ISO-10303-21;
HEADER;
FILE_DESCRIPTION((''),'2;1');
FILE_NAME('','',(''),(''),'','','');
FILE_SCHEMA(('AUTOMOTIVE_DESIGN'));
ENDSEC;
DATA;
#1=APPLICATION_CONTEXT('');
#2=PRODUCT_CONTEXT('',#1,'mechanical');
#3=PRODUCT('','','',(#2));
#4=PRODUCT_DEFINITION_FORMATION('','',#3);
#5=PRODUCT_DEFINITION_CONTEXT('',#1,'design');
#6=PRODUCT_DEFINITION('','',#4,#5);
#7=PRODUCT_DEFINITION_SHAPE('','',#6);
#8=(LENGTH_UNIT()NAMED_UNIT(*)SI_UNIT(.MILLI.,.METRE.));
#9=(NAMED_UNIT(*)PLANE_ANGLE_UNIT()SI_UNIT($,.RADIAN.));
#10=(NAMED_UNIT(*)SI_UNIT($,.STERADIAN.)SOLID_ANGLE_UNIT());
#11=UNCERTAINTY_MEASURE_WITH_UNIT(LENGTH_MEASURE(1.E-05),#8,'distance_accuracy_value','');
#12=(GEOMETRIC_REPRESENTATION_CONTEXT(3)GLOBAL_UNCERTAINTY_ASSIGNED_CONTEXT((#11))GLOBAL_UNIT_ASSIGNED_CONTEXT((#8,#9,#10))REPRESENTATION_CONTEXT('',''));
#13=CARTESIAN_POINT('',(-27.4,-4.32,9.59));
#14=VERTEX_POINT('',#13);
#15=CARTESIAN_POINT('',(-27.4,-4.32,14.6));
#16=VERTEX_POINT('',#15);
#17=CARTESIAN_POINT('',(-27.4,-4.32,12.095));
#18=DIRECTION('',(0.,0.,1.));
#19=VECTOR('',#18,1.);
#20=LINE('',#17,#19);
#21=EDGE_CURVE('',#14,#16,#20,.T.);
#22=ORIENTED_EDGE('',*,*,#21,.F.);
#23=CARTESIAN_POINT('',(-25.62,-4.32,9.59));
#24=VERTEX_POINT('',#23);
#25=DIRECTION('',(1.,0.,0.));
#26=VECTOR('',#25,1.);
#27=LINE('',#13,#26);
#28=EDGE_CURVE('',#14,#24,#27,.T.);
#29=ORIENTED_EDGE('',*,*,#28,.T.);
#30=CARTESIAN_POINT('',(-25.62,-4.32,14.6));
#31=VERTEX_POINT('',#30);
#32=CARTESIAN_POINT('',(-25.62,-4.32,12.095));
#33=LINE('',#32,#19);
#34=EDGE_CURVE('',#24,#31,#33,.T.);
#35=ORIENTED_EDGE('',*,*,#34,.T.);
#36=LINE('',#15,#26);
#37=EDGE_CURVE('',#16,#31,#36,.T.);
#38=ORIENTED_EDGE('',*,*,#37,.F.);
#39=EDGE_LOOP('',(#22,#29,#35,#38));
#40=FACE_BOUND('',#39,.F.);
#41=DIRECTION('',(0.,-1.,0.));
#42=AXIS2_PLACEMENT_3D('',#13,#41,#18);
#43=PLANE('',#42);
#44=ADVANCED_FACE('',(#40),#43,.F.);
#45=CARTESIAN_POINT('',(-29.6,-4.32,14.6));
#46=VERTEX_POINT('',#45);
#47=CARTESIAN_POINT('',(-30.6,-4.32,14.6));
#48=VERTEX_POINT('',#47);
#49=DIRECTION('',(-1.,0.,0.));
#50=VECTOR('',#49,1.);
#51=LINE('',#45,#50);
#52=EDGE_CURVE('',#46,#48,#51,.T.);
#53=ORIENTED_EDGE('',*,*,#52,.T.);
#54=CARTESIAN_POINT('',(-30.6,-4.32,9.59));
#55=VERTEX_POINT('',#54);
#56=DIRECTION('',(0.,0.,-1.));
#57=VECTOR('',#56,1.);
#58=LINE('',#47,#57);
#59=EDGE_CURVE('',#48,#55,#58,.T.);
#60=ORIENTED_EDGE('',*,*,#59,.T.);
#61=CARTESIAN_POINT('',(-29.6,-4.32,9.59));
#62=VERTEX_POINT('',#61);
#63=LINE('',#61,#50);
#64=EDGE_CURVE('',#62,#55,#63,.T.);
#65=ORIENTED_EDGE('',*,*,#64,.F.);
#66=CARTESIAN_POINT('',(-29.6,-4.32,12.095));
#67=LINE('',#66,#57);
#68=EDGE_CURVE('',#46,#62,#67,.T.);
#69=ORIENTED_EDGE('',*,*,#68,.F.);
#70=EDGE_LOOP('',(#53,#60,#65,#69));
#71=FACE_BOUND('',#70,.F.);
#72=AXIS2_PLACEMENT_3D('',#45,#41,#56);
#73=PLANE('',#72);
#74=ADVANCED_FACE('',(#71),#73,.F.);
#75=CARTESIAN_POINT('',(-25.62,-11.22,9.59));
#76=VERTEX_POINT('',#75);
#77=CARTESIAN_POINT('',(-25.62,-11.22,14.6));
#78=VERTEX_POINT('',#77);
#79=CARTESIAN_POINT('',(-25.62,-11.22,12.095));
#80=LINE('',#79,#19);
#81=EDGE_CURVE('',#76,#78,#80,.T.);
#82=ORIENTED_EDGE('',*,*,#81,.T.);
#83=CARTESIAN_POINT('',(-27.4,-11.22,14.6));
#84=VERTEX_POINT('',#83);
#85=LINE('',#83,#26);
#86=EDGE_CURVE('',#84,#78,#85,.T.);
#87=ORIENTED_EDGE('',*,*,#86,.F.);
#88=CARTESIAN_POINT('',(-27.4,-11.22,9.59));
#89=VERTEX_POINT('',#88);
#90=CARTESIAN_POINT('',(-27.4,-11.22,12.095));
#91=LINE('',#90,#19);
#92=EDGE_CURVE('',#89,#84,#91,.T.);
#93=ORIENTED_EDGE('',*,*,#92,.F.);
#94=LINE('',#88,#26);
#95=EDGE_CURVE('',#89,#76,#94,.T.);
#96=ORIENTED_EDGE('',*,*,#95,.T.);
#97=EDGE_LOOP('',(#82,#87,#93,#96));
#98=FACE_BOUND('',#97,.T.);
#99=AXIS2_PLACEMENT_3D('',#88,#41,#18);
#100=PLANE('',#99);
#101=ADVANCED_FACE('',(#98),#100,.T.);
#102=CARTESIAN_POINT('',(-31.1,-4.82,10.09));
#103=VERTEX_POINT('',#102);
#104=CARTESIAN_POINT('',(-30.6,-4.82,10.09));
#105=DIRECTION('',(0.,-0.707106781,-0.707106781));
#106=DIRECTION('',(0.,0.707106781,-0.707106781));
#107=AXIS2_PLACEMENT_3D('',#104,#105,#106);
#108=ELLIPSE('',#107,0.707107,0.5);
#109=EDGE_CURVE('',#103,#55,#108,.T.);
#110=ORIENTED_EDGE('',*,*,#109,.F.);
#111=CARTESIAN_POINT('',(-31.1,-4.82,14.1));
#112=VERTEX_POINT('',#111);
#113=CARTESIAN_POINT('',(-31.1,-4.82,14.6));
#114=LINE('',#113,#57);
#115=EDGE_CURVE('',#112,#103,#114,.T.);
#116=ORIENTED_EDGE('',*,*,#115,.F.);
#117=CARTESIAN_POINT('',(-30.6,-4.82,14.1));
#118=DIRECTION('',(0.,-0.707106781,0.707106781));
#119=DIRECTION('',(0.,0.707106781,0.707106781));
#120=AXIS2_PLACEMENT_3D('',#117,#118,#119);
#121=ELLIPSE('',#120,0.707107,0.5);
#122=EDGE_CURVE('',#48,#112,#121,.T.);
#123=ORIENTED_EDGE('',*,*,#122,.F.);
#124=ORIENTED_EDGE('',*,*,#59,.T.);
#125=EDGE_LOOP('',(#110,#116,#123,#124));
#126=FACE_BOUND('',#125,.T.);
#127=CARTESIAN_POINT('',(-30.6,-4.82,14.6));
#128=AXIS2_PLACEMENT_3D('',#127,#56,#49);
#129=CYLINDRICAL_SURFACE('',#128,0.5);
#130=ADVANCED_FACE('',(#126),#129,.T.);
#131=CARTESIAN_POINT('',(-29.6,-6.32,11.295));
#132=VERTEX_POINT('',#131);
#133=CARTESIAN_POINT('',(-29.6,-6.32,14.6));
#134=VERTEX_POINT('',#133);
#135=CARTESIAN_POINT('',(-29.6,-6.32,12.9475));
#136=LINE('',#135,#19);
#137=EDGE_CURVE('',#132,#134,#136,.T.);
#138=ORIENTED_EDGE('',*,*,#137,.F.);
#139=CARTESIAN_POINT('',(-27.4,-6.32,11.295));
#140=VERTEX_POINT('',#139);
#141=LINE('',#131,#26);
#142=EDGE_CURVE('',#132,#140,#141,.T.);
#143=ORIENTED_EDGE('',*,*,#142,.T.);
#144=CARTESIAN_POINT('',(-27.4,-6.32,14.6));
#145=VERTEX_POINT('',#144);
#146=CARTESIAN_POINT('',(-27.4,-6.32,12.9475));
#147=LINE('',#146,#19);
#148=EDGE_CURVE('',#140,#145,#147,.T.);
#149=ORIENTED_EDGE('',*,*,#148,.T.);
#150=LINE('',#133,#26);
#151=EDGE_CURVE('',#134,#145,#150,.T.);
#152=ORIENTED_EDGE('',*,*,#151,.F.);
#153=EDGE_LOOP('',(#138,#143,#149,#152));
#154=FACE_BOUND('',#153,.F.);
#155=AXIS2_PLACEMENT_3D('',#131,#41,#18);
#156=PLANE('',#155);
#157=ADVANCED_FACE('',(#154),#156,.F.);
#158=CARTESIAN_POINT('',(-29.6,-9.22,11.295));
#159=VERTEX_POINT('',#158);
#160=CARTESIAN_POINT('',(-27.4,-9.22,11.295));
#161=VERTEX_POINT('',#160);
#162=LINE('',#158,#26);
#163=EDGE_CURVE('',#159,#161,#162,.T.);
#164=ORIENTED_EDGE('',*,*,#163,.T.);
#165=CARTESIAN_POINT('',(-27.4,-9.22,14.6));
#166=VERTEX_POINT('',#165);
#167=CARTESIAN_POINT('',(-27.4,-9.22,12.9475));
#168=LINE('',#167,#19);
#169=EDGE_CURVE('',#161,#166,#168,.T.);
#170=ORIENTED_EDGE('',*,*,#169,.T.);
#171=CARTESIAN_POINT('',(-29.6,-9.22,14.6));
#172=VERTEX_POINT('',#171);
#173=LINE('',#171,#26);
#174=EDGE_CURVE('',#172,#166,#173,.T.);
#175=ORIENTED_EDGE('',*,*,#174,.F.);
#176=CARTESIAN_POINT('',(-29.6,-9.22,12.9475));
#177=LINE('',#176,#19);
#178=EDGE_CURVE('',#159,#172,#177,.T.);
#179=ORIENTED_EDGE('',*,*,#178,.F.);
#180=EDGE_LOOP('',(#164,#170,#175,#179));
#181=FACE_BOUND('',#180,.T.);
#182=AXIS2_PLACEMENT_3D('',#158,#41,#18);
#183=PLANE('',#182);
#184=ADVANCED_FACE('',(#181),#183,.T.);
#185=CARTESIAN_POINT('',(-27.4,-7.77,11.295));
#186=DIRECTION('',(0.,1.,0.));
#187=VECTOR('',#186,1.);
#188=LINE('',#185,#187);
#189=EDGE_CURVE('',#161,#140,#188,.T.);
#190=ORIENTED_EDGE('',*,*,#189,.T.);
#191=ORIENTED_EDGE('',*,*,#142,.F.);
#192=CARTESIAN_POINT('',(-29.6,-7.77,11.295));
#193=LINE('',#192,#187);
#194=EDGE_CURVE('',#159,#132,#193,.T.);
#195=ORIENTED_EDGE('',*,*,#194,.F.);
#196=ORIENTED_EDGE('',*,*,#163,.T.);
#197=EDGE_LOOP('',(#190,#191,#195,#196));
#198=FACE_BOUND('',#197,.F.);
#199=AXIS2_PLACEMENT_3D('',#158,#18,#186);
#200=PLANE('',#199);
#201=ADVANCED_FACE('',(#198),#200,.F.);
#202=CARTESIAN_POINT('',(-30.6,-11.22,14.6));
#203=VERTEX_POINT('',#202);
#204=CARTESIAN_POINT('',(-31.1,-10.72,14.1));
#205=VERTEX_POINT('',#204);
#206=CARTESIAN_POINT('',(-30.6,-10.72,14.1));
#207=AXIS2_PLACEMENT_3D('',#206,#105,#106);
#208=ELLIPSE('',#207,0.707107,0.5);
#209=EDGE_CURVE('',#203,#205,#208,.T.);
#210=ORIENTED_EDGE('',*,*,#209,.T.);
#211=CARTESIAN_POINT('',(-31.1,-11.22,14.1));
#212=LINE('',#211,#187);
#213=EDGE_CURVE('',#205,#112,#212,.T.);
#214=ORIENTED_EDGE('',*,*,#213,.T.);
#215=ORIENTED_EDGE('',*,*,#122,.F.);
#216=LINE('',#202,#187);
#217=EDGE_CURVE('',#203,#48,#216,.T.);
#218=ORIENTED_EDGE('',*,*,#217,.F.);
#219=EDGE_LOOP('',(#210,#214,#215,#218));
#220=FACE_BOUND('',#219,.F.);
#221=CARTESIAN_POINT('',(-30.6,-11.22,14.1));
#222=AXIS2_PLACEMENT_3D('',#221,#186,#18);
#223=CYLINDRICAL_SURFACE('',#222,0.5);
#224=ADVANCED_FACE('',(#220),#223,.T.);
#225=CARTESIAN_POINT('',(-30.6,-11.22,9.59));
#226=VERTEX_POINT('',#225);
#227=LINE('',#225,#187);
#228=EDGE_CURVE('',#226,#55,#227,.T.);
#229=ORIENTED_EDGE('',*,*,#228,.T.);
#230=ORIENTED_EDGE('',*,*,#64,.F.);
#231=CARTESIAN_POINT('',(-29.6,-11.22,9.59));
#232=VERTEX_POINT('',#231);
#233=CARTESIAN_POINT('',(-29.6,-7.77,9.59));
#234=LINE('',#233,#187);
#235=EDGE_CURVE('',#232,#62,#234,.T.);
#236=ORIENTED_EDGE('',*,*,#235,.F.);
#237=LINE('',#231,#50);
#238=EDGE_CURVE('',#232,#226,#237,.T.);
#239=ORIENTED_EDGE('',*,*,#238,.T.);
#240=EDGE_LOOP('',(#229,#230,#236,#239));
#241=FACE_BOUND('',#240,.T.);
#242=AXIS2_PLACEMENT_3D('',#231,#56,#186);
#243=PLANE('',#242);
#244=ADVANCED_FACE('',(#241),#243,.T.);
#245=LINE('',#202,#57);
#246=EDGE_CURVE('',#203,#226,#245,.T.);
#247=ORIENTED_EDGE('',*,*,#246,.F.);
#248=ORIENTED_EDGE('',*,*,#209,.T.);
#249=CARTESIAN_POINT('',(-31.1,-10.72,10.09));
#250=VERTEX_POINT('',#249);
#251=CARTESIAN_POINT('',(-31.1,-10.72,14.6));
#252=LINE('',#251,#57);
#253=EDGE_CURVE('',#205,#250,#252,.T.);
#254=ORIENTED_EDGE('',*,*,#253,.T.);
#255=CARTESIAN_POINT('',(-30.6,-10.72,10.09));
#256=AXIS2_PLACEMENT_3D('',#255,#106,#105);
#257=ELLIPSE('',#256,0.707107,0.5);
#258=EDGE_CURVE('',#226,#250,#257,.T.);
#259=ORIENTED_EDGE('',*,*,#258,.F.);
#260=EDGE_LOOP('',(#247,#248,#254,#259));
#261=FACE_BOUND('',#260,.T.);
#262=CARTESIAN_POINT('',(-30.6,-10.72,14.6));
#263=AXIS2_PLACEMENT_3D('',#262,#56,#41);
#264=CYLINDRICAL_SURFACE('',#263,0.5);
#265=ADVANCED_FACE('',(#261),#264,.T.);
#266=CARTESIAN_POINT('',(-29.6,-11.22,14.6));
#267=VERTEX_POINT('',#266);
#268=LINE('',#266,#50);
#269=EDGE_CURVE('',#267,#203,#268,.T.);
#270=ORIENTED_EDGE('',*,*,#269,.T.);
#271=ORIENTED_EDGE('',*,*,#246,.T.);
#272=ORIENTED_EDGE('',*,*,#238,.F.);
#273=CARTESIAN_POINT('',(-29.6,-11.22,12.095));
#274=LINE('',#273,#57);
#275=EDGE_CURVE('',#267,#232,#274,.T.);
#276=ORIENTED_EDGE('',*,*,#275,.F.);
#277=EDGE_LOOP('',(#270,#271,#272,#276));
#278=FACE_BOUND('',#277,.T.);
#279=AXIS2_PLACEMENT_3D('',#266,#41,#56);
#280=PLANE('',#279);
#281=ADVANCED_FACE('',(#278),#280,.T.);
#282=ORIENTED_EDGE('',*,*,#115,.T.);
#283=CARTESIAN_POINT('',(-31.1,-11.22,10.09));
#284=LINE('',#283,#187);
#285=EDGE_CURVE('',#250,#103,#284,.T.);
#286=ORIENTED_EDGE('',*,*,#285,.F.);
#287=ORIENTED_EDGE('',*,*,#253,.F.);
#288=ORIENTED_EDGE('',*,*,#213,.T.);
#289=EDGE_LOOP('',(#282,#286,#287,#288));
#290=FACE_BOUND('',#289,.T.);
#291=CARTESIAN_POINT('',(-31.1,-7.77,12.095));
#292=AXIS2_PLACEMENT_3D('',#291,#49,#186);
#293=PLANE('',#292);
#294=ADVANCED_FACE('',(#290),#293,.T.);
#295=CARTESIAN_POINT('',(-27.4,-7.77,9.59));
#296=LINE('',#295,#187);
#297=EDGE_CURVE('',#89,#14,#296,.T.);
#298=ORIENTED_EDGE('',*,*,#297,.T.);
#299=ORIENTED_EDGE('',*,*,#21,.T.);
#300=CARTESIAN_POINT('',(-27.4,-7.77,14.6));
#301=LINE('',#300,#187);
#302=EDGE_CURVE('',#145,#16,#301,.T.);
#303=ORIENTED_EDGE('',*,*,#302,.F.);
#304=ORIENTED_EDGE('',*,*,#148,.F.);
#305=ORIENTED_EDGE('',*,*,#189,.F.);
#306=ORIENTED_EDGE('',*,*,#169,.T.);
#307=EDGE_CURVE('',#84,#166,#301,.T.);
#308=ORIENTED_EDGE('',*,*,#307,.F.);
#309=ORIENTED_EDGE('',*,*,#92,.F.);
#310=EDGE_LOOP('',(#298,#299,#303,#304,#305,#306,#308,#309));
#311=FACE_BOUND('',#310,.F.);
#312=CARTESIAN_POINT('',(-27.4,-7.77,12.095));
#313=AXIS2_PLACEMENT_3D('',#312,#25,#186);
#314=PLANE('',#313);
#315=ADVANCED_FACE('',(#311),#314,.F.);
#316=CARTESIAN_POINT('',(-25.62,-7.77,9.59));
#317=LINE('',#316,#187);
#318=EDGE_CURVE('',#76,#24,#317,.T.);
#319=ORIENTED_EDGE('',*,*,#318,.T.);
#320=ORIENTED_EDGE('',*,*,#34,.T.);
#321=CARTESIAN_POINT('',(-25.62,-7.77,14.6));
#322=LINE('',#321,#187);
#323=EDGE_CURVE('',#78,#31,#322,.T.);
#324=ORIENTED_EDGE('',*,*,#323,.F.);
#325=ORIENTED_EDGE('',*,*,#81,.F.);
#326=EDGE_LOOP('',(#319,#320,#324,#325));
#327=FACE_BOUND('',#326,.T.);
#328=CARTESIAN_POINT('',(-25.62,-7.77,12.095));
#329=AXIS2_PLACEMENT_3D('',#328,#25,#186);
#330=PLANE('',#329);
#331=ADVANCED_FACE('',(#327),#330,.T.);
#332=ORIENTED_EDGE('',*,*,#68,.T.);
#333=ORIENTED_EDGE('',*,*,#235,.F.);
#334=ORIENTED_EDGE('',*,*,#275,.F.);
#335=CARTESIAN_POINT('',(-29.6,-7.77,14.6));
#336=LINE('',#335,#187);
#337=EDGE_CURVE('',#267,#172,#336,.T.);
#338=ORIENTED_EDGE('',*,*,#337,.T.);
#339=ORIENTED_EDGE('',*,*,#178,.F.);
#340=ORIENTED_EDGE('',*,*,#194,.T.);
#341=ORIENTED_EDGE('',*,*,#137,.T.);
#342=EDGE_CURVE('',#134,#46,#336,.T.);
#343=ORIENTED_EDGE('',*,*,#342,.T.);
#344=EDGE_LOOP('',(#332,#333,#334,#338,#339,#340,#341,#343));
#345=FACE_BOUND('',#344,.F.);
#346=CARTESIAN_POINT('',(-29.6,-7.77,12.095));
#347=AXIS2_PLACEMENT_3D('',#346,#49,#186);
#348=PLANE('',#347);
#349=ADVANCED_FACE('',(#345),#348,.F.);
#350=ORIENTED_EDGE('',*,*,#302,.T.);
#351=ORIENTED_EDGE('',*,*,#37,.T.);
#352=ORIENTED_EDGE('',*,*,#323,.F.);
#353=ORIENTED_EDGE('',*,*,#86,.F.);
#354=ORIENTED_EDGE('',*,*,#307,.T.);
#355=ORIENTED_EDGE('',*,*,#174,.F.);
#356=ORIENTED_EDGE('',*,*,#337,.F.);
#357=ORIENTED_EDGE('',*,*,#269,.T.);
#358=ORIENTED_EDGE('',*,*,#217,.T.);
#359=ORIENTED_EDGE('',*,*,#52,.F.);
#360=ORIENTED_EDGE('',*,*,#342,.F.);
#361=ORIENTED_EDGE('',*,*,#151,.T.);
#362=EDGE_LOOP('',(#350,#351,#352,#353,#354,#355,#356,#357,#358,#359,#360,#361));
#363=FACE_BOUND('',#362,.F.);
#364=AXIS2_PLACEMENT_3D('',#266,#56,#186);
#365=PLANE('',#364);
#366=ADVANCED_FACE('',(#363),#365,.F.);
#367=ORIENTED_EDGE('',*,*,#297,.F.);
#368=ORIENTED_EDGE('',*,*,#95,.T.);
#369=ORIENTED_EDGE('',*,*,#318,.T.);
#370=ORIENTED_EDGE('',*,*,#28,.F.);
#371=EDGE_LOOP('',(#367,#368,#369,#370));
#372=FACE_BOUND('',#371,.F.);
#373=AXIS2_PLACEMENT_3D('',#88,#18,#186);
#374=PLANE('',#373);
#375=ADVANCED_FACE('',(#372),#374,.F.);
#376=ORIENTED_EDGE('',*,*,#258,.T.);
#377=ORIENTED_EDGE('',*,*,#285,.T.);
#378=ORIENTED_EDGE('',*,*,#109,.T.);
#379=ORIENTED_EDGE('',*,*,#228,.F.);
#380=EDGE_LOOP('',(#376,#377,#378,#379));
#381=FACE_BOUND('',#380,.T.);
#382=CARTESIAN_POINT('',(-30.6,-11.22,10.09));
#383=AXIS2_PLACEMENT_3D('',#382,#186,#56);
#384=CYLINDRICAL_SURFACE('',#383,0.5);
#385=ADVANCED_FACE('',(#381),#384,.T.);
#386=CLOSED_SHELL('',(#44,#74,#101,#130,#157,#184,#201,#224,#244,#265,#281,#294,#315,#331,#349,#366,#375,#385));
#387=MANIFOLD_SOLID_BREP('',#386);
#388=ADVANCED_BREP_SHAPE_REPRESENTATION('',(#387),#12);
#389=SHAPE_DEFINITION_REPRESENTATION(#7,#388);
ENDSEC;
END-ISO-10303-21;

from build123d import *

# Parameters (mm, degrees)
SKETCH083_W  = 2.9
SKETCH083_H  = 3.305
PAD042_DEPTH = 2.2
SKETCH084_W  = 6.9
SKETCH084_H  = 5.01
PAD043_DEPTH = 1.78
SKETCH085_W  = 6.9
SKETCH085_H  = 5.01
PAD044_DEPTH = 1.5
FILLET006_R  = 0.5


with BuildPart() as part:
    # Sketch083 → Pad042 (new body)
    with BuildSketch(Plane.YZ):
        with Locations((-7.77, 12.9475)):
            Rectangle(SKETCH083_W, SKETCH083_H)
    extrude(amount=PAD042_DEPTH)

    # Sketch084 (on Face6 of Pad042) → Pad043 (join)
    with BuildSketch(Plane.YZ.offset(2.2)):
        with Locations((-7.77, 12.095)):
            Rectangle(SKETCH084_W, SKETCH084_H)
    extrude(amount=PAD043_DEPTH)

    # Sketch085 (on Face2 of Pad043) → Pad044 (join)
    with BuildSketch(Plane(origin=(0, 0, 0), x_dir=(0, 1, 0), z_dir=(-1, 0, 0))):
        with Locations((-7.77, -12.095)):
            Rectangle(SKETCH085_W, SKETCH085_H)
    extrude(amount=PAD044_DEPTH)

    # Fillet006
    fillet006_edges = [part.edges().sort_by_distance(p)[0] for p in [
        (-1.5, -11.22, 12.095),
        (-1.5, -7.77, 14.6),
        (-1.5, -4.32, 12.095),
        (-1.5, -7.77, 9.59),
    ]]
    fillet(fillet006_edges, radius=FILLET006_R)


with BuildPart() as part_1:
    # Body012 placement: moved
    add(part.part.moved(Location((-29.6, 0, 0))))


solid = part_1.part
